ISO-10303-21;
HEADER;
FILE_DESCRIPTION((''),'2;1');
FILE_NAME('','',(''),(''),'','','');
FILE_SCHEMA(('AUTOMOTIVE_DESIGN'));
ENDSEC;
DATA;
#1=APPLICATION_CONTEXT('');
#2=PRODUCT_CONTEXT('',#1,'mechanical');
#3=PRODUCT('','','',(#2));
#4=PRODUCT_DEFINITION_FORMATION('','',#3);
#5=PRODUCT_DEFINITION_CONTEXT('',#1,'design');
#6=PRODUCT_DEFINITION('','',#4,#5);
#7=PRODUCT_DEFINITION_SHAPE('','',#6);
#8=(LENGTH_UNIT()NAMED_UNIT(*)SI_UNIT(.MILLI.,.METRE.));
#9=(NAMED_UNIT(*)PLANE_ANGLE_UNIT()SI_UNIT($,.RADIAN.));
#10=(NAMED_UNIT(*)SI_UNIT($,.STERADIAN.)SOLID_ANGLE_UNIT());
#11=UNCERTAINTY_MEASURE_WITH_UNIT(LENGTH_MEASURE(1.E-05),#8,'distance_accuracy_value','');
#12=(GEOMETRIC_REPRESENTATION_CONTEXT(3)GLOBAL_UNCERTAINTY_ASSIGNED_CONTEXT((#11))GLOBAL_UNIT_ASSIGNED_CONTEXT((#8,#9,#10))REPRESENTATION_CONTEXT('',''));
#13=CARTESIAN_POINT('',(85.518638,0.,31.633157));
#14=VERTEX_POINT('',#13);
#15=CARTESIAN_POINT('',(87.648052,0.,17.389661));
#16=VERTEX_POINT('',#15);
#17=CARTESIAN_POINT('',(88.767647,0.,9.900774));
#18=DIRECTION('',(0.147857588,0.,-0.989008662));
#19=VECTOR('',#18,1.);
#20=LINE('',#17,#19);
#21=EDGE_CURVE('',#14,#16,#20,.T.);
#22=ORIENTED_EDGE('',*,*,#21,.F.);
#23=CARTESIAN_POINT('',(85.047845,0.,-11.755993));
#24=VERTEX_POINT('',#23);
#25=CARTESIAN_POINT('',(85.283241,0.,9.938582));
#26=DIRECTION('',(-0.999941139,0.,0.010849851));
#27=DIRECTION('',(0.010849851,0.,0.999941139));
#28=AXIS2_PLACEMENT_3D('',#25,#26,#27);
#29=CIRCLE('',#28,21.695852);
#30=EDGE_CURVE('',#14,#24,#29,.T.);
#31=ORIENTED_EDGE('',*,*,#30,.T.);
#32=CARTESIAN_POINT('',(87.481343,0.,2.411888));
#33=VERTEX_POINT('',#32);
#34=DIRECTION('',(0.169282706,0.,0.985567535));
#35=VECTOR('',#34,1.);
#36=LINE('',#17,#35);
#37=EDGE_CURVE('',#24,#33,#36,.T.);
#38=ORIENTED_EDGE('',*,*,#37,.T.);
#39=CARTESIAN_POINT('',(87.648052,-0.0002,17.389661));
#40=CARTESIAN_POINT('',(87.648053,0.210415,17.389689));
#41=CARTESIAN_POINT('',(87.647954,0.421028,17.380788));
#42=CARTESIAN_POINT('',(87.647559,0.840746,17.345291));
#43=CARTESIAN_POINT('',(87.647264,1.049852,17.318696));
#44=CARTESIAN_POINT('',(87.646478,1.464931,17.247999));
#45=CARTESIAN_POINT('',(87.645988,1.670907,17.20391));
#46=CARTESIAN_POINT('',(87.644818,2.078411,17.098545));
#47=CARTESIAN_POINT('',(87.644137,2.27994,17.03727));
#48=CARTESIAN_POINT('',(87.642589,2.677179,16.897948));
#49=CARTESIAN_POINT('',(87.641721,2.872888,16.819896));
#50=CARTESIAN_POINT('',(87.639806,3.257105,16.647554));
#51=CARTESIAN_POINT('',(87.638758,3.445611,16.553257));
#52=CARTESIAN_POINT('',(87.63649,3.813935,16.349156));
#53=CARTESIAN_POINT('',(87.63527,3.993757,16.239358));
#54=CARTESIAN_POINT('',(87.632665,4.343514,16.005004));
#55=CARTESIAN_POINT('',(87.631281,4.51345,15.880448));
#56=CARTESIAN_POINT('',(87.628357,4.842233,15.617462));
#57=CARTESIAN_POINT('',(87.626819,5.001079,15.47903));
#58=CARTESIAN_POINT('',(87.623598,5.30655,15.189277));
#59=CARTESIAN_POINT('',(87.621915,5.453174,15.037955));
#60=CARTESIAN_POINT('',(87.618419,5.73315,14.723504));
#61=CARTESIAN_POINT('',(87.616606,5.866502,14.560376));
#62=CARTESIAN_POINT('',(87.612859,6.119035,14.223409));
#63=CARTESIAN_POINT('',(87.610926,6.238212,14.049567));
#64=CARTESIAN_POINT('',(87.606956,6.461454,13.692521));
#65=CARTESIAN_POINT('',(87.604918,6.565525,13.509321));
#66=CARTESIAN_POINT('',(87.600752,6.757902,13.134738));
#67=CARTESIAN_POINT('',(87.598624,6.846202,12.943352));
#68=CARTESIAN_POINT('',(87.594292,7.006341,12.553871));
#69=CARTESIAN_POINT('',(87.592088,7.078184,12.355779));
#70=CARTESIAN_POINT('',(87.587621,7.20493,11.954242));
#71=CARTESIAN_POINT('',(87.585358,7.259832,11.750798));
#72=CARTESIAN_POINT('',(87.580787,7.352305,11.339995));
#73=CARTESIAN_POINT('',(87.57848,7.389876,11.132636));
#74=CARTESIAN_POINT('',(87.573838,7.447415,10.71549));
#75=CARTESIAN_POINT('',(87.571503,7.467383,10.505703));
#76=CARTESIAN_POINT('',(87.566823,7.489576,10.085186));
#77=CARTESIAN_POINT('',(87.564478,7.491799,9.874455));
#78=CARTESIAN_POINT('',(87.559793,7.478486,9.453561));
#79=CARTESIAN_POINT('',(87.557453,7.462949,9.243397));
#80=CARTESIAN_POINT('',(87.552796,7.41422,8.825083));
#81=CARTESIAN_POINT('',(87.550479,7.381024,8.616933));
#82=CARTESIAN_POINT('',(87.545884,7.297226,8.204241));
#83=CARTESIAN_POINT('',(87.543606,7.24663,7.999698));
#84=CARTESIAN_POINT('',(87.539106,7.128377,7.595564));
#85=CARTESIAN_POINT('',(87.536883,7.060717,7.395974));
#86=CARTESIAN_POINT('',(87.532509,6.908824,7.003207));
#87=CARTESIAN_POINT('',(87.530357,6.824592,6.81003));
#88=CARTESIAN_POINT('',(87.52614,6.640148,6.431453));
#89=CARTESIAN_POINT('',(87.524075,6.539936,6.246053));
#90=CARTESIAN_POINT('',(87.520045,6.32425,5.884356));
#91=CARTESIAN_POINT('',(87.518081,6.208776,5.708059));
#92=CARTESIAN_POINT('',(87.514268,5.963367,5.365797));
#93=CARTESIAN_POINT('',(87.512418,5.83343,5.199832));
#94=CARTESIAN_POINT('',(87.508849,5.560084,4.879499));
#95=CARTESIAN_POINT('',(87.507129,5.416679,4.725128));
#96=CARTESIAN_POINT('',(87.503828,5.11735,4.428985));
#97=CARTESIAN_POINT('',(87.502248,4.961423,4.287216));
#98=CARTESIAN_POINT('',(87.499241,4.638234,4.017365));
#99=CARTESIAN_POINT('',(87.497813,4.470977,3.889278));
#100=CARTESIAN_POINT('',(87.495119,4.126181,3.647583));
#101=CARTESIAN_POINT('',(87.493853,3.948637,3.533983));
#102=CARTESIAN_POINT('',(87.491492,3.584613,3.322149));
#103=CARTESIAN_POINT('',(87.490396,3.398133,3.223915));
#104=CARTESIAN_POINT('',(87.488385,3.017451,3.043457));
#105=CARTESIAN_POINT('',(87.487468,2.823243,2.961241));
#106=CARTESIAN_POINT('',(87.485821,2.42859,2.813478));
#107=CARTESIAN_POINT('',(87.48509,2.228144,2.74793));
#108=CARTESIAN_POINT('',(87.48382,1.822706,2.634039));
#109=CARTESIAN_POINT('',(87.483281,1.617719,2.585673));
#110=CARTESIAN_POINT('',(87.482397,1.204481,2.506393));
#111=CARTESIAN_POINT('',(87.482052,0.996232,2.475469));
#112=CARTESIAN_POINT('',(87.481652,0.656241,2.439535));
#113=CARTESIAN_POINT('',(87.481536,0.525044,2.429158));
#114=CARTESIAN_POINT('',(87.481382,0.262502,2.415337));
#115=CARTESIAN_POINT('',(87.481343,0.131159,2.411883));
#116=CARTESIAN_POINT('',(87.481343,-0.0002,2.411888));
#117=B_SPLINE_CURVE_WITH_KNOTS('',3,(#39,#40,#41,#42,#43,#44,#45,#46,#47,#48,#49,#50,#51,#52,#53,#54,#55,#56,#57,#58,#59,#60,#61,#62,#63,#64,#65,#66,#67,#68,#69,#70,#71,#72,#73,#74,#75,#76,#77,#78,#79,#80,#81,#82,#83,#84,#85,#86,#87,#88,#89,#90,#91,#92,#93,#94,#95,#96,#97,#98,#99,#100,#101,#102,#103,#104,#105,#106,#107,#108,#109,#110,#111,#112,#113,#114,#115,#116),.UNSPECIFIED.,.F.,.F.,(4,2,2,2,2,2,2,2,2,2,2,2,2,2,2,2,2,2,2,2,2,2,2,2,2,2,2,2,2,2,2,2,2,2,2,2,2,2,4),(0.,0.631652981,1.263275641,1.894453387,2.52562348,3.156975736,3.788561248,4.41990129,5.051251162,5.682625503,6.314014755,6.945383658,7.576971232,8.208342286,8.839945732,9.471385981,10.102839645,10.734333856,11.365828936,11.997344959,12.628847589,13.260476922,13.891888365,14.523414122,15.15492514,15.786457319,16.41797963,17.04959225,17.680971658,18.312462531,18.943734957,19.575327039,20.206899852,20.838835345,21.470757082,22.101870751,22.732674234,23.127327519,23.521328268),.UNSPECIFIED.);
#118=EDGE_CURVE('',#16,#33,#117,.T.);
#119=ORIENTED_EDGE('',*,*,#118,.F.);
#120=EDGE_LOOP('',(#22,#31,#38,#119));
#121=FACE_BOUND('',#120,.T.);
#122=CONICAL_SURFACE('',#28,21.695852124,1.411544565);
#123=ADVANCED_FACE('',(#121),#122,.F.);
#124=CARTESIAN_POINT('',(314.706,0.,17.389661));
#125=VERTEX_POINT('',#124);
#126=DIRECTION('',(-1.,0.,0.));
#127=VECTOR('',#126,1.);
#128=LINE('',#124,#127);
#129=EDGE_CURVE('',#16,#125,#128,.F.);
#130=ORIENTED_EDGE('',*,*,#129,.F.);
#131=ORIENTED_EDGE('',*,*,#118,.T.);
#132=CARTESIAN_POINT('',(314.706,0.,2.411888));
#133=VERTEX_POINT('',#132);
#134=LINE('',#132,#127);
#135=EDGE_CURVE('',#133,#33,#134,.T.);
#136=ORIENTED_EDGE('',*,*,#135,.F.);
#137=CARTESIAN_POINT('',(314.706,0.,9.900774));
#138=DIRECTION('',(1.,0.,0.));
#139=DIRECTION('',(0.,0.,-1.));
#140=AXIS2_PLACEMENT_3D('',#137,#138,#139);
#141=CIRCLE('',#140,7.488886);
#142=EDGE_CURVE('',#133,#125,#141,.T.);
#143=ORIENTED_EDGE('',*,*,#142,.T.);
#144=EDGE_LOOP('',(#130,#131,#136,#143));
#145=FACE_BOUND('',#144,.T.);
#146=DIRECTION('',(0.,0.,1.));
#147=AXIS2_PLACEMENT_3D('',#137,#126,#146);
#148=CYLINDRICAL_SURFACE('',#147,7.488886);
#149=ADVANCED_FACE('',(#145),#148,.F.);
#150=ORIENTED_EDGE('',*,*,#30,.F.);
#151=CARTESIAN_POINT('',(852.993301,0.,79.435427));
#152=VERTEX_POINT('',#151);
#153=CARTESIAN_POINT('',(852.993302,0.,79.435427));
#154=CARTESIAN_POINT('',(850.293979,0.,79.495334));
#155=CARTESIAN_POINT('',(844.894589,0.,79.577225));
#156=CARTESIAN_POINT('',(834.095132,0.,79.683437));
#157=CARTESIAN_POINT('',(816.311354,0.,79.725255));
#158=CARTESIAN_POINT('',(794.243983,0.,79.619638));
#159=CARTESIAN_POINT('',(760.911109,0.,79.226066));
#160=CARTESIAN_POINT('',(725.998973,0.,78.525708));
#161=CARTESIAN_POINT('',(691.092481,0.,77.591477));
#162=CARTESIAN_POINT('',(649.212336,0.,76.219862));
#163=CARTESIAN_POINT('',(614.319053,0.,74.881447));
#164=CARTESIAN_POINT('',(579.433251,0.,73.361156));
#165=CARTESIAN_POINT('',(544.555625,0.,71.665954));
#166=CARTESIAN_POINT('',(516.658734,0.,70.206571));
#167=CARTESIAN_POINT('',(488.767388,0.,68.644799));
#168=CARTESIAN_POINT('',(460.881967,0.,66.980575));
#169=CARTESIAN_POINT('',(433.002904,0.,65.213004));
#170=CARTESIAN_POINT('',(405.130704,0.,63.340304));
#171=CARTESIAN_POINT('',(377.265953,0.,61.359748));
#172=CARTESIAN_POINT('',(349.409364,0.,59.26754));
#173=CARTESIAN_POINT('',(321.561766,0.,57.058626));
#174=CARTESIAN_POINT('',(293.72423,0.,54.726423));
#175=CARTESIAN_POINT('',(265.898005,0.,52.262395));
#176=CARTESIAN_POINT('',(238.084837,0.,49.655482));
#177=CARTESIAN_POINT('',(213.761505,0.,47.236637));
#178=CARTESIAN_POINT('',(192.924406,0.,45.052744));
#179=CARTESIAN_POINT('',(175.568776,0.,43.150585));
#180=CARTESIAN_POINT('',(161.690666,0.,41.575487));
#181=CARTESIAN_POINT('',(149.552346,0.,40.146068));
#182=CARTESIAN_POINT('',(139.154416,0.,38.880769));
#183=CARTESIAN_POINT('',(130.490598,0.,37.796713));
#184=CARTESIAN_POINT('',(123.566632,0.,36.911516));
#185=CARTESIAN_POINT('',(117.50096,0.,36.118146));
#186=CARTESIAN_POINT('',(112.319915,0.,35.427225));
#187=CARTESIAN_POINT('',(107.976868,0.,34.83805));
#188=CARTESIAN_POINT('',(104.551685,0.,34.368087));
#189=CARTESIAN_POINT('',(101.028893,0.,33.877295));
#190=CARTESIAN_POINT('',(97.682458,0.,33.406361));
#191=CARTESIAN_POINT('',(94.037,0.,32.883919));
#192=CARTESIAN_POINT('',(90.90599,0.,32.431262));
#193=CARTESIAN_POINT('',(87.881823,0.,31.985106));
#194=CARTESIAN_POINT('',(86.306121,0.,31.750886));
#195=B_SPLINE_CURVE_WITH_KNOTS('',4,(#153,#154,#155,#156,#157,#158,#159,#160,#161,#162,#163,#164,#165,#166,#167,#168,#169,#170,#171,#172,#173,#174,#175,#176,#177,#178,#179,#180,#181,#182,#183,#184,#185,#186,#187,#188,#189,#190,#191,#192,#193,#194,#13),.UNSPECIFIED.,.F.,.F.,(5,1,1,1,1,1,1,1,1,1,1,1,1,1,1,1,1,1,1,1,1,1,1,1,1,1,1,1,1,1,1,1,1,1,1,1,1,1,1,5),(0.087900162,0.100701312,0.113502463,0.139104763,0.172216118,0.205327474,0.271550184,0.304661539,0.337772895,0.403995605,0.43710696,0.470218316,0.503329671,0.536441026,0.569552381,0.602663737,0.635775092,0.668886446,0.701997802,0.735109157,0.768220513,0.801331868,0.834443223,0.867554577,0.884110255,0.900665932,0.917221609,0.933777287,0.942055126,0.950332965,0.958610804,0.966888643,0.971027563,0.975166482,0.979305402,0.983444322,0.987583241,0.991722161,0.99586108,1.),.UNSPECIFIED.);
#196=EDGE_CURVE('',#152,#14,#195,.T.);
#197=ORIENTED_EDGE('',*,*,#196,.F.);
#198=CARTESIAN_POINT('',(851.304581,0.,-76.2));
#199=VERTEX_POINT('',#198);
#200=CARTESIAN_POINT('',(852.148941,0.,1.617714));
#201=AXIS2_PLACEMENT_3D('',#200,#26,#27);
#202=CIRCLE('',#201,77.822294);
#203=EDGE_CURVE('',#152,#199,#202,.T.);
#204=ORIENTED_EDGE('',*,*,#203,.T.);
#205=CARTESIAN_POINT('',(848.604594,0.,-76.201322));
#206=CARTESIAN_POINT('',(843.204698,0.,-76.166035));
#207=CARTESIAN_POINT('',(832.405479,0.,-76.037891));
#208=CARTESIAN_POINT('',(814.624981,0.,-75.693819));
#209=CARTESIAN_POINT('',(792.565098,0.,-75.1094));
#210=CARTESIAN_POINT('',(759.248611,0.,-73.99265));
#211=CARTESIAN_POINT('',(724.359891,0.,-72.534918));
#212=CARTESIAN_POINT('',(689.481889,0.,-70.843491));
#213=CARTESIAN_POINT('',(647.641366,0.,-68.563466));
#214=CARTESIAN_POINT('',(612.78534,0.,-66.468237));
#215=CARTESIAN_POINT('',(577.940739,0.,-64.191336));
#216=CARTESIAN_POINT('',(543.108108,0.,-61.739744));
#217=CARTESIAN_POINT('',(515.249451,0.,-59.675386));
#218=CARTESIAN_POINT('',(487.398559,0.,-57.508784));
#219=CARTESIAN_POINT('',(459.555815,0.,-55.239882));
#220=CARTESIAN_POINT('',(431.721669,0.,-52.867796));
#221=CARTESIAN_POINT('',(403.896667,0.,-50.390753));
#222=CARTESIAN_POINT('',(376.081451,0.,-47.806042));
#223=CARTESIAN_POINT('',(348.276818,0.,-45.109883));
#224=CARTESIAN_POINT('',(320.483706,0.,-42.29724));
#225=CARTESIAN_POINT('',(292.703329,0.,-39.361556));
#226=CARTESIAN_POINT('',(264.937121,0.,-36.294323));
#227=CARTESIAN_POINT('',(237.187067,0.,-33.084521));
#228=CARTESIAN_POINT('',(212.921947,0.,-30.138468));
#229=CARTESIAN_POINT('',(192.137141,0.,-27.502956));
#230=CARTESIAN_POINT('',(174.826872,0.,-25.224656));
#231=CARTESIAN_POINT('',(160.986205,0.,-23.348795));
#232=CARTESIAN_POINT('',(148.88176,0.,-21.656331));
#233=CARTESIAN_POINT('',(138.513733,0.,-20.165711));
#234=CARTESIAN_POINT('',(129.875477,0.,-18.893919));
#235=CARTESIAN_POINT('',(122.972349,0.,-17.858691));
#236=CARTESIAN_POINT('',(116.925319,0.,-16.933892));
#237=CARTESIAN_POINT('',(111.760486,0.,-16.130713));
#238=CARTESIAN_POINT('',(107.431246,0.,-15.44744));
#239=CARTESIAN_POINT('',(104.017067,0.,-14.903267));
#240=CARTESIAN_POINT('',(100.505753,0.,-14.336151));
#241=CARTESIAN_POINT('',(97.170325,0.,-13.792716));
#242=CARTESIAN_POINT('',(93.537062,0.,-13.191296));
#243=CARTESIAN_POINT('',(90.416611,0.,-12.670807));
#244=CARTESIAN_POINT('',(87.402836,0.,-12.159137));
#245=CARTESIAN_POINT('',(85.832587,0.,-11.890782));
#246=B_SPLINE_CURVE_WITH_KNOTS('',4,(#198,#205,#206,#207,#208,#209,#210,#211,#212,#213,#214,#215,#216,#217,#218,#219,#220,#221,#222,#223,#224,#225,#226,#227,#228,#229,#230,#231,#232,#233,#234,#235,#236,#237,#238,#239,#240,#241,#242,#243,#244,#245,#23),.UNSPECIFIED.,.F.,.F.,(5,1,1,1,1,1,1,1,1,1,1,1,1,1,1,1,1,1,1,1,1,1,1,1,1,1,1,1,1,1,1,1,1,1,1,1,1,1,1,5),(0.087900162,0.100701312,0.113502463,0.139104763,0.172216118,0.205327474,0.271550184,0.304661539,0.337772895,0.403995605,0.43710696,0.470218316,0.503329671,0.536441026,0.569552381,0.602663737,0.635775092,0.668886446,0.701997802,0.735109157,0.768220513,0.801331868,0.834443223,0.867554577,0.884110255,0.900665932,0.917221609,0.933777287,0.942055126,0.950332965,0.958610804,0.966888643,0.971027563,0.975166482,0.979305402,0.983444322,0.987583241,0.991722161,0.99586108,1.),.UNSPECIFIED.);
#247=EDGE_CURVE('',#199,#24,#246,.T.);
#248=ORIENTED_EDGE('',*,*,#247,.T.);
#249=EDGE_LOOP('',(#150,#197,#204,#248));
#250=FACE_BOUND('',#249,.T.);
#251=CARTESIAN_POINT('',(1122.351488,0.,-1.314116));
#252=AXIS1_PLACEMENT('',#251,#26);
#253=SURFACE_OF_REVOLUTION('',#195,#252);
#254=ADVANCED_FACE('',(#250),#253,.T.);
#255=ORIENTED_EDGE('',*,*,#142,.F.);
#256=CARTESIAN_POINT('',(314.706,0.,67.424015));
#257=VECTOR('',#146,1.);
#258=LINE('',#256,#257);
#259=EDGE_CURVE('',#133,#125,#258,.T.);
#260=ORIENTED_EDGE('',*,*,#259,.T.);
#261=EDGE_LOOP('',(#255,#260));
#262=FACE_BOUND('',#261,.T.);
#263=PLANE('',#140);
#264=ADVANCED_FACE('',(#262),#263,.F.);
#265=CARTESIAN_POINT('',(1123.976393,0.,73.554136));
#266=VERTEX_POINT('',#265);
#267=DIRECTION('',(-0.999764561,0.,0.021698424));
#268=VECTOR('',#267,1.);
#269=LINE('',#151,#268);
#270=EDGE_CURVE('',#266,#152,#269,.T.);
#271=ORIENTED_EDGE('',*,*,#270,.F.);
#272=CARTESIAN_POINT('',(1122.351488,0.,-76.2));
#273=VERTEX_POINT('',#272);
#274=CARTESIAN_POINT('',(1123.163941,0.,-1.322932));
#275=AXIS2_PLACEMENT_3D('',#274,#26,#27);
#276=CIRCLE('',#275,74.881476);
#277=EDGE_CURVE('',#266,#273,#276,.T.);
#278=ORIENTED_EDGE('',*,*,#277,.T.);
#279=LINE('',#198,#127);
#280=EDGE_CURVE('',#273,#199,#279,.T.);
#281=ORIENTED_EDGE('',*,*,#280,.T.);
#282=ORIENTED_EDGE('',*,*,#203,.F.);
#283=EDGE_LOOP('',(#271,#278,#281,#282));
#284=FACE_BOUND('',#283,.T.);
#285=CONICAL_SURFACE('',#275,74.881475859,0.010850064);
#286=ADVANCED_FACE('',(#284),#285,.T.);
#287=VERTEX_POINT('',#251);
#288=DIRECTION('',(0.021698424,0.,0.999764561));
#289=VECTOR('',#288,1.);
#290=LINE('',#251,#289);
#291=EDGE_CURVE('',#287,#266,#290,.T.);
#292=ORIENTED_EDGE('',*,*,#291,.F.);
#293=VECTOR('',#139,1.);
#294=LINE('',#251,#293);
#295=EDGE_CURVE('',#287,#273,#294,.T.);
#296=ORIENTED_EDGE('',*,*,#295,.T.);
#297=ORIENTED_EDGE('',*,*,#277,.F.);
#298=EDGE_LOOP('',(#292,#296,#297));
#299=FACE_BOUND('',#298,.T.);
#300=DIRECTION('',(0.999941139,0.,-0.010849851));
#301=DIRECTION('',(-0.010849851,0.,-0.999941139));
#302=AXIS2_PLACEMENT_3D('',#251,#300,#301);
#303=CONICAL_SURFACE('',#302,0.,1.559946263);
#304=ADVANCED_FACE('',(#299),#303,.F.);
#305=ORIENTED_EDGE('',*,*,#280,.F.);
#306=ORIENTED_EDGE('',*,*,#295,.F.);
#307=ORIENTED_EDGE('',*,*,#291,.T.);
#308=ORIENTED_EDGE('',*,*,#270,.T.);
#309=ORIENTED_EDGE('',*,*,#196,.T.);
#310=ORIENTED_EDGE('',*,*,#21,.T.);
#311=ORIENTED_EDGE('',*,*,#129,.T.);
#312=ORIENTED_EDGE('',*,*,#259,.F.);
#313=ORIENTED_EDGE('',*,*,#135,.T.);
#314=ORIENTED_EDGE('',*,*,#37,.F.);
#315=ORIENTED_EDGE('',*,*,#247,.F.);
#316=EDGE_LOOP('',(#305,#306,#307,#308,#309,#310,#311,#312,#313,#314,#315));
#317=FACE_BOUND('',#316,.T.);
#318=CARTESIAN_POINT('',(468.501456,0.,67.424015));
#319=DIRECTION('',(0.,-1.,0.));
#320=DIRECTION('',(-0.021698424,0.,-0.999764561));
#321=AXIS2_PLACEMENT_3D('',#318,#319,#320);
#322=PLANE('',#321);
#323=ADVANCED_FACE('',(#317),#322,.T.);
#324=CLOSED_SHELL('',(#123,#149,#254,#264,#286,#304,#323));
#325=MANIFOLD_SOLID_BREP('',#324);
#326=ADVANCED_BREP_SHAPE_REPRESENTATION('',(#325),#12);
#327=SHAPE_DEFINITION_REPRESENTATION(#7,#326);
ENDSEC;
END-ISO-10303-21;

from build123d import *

# Parameters (mm, degrees)
MAIN_BODY_ANGLE    = 180
SKETCH4_R          = 7.488886282
CUT_EXTRUDE3_DEPTH = 314.706


with BuildPart() as part:
    # Sketch1 → main body (revolve)
    with BuildSketch(Plane(origin=(0, 0, 0), x_dir=(1, 0, 0), z_dir=(0, 1, 0))):
        with BuildLine():
            Line((851.304580924, 76.199999981), (1122.351487721, 76.199999981))
            Line((1122.351487721, 76.199999981), (1122.351487721, 1.314116237))
            Line((1122.351487721, 1.314116237), (88.767646843, -9.90077432))
            Line((88.767646843, -9.90077432), (85.047844716, 11.755993253))
            add(Edge.make_bspline(
                [(85.047844716, 11.755993253), (85.832587091, 11.890781898), (87.402836258, 12.159136758), (90.416610596, 12.670807369), (93.537061612, 13.191295846), (97.170324673, 13.792715976), (100.505753233, 14.336151071), (104.017067052, 14.903266848), (107.43124622, 15.44744047), (111.760486229, 16.130713414), (116.925319179, 16.933892159), (122.97234892, 17.858691385), (129.875476741, 18.893918943), (138.513733131, 20.165711278), (148.881759566, 21.656330843), (160.986205499, 23.34879505), (174.826871573, 25.224656034), (192.137141027, 27.502956481), (212.92194706, 30.13846819), (237.187067416, 33.084521174), (264.937120957, 36.294322773), (292.703329319, 39.361555726), (320.48370577, 42.297239812), (348.276817571, 45.109883275), (376.081450756, 47.806042159), (403.896666786, 50.390753056), (431.721669201, 52.867795697), (459.55581535, 55.239882083), (487.398559468, 57.508784018), (515.249450888, 59.675386165), (543.108107682, 61.739743915), (577.940738985, 64.191336351), (612.785340127, 66.468237191), (647.641366116, 68.563465621), (689.481889181, 70.843491315), (724.359891248, 72.534917854), (759.248611408, 73.99264986), (792.5650977, 75.109399967), (814.624980969, 75.693818945), (832.405478938, 76.037890758), (843.204698036, 76.166034998), (848.604594276, 76.201321913), (851.304580924, 76.199999981)],
                knots=[0.087900162, 0.087900162, 0.087900162, 0.087900162, 0.087900162, 0.092039082, 0.096178001, 0.100316921, 0.10445584, 0.10859476, 0.112733679, 0.116872599, 0.121011519, 0.129289358, 0.137567197, 0.145845036, 0.154122875, 0.170678553, 0.18723423, 0.203789907, 0.220345585, 0.253456939, 0.286568294, 0.319679649, 0.352791005, 0.38590236, 0.419013716, 0.45212507, 0.485236425, 0.518347781, 0.551459136, 0.584570491, 0.617681846, 0.650793202, 0.683904557, 0.750127267, 0.783238623, 0.816349978, 0.882572688, 0.915684044, 0.948795399, 0.974397699, 0.98719885, 1, 1, 1, 1, 1], degree=4))
        make_face()
    revolve(axis=Axis((1122.351487721, 0, -1.314116237), (0.9999411386367943, 0, -0.01084985077091772)), revolution_arc=MAIN_BODY_ANGLE)

    # Sketch4 → Cut-Extrude3 (cut)
    with BuildSketch(Plane(origin=(0, 0, 0), x_dir=(0, 0, -1), z_dir=(1, 0, 0))):
        with Locations((-9.90077432, 0)):
            Circle(SKETCH4_R)
    extrude(amount=CUT_EXTRUDE3_DEPTH, mode=Mode.SUBTRACT)


solid = part.part
